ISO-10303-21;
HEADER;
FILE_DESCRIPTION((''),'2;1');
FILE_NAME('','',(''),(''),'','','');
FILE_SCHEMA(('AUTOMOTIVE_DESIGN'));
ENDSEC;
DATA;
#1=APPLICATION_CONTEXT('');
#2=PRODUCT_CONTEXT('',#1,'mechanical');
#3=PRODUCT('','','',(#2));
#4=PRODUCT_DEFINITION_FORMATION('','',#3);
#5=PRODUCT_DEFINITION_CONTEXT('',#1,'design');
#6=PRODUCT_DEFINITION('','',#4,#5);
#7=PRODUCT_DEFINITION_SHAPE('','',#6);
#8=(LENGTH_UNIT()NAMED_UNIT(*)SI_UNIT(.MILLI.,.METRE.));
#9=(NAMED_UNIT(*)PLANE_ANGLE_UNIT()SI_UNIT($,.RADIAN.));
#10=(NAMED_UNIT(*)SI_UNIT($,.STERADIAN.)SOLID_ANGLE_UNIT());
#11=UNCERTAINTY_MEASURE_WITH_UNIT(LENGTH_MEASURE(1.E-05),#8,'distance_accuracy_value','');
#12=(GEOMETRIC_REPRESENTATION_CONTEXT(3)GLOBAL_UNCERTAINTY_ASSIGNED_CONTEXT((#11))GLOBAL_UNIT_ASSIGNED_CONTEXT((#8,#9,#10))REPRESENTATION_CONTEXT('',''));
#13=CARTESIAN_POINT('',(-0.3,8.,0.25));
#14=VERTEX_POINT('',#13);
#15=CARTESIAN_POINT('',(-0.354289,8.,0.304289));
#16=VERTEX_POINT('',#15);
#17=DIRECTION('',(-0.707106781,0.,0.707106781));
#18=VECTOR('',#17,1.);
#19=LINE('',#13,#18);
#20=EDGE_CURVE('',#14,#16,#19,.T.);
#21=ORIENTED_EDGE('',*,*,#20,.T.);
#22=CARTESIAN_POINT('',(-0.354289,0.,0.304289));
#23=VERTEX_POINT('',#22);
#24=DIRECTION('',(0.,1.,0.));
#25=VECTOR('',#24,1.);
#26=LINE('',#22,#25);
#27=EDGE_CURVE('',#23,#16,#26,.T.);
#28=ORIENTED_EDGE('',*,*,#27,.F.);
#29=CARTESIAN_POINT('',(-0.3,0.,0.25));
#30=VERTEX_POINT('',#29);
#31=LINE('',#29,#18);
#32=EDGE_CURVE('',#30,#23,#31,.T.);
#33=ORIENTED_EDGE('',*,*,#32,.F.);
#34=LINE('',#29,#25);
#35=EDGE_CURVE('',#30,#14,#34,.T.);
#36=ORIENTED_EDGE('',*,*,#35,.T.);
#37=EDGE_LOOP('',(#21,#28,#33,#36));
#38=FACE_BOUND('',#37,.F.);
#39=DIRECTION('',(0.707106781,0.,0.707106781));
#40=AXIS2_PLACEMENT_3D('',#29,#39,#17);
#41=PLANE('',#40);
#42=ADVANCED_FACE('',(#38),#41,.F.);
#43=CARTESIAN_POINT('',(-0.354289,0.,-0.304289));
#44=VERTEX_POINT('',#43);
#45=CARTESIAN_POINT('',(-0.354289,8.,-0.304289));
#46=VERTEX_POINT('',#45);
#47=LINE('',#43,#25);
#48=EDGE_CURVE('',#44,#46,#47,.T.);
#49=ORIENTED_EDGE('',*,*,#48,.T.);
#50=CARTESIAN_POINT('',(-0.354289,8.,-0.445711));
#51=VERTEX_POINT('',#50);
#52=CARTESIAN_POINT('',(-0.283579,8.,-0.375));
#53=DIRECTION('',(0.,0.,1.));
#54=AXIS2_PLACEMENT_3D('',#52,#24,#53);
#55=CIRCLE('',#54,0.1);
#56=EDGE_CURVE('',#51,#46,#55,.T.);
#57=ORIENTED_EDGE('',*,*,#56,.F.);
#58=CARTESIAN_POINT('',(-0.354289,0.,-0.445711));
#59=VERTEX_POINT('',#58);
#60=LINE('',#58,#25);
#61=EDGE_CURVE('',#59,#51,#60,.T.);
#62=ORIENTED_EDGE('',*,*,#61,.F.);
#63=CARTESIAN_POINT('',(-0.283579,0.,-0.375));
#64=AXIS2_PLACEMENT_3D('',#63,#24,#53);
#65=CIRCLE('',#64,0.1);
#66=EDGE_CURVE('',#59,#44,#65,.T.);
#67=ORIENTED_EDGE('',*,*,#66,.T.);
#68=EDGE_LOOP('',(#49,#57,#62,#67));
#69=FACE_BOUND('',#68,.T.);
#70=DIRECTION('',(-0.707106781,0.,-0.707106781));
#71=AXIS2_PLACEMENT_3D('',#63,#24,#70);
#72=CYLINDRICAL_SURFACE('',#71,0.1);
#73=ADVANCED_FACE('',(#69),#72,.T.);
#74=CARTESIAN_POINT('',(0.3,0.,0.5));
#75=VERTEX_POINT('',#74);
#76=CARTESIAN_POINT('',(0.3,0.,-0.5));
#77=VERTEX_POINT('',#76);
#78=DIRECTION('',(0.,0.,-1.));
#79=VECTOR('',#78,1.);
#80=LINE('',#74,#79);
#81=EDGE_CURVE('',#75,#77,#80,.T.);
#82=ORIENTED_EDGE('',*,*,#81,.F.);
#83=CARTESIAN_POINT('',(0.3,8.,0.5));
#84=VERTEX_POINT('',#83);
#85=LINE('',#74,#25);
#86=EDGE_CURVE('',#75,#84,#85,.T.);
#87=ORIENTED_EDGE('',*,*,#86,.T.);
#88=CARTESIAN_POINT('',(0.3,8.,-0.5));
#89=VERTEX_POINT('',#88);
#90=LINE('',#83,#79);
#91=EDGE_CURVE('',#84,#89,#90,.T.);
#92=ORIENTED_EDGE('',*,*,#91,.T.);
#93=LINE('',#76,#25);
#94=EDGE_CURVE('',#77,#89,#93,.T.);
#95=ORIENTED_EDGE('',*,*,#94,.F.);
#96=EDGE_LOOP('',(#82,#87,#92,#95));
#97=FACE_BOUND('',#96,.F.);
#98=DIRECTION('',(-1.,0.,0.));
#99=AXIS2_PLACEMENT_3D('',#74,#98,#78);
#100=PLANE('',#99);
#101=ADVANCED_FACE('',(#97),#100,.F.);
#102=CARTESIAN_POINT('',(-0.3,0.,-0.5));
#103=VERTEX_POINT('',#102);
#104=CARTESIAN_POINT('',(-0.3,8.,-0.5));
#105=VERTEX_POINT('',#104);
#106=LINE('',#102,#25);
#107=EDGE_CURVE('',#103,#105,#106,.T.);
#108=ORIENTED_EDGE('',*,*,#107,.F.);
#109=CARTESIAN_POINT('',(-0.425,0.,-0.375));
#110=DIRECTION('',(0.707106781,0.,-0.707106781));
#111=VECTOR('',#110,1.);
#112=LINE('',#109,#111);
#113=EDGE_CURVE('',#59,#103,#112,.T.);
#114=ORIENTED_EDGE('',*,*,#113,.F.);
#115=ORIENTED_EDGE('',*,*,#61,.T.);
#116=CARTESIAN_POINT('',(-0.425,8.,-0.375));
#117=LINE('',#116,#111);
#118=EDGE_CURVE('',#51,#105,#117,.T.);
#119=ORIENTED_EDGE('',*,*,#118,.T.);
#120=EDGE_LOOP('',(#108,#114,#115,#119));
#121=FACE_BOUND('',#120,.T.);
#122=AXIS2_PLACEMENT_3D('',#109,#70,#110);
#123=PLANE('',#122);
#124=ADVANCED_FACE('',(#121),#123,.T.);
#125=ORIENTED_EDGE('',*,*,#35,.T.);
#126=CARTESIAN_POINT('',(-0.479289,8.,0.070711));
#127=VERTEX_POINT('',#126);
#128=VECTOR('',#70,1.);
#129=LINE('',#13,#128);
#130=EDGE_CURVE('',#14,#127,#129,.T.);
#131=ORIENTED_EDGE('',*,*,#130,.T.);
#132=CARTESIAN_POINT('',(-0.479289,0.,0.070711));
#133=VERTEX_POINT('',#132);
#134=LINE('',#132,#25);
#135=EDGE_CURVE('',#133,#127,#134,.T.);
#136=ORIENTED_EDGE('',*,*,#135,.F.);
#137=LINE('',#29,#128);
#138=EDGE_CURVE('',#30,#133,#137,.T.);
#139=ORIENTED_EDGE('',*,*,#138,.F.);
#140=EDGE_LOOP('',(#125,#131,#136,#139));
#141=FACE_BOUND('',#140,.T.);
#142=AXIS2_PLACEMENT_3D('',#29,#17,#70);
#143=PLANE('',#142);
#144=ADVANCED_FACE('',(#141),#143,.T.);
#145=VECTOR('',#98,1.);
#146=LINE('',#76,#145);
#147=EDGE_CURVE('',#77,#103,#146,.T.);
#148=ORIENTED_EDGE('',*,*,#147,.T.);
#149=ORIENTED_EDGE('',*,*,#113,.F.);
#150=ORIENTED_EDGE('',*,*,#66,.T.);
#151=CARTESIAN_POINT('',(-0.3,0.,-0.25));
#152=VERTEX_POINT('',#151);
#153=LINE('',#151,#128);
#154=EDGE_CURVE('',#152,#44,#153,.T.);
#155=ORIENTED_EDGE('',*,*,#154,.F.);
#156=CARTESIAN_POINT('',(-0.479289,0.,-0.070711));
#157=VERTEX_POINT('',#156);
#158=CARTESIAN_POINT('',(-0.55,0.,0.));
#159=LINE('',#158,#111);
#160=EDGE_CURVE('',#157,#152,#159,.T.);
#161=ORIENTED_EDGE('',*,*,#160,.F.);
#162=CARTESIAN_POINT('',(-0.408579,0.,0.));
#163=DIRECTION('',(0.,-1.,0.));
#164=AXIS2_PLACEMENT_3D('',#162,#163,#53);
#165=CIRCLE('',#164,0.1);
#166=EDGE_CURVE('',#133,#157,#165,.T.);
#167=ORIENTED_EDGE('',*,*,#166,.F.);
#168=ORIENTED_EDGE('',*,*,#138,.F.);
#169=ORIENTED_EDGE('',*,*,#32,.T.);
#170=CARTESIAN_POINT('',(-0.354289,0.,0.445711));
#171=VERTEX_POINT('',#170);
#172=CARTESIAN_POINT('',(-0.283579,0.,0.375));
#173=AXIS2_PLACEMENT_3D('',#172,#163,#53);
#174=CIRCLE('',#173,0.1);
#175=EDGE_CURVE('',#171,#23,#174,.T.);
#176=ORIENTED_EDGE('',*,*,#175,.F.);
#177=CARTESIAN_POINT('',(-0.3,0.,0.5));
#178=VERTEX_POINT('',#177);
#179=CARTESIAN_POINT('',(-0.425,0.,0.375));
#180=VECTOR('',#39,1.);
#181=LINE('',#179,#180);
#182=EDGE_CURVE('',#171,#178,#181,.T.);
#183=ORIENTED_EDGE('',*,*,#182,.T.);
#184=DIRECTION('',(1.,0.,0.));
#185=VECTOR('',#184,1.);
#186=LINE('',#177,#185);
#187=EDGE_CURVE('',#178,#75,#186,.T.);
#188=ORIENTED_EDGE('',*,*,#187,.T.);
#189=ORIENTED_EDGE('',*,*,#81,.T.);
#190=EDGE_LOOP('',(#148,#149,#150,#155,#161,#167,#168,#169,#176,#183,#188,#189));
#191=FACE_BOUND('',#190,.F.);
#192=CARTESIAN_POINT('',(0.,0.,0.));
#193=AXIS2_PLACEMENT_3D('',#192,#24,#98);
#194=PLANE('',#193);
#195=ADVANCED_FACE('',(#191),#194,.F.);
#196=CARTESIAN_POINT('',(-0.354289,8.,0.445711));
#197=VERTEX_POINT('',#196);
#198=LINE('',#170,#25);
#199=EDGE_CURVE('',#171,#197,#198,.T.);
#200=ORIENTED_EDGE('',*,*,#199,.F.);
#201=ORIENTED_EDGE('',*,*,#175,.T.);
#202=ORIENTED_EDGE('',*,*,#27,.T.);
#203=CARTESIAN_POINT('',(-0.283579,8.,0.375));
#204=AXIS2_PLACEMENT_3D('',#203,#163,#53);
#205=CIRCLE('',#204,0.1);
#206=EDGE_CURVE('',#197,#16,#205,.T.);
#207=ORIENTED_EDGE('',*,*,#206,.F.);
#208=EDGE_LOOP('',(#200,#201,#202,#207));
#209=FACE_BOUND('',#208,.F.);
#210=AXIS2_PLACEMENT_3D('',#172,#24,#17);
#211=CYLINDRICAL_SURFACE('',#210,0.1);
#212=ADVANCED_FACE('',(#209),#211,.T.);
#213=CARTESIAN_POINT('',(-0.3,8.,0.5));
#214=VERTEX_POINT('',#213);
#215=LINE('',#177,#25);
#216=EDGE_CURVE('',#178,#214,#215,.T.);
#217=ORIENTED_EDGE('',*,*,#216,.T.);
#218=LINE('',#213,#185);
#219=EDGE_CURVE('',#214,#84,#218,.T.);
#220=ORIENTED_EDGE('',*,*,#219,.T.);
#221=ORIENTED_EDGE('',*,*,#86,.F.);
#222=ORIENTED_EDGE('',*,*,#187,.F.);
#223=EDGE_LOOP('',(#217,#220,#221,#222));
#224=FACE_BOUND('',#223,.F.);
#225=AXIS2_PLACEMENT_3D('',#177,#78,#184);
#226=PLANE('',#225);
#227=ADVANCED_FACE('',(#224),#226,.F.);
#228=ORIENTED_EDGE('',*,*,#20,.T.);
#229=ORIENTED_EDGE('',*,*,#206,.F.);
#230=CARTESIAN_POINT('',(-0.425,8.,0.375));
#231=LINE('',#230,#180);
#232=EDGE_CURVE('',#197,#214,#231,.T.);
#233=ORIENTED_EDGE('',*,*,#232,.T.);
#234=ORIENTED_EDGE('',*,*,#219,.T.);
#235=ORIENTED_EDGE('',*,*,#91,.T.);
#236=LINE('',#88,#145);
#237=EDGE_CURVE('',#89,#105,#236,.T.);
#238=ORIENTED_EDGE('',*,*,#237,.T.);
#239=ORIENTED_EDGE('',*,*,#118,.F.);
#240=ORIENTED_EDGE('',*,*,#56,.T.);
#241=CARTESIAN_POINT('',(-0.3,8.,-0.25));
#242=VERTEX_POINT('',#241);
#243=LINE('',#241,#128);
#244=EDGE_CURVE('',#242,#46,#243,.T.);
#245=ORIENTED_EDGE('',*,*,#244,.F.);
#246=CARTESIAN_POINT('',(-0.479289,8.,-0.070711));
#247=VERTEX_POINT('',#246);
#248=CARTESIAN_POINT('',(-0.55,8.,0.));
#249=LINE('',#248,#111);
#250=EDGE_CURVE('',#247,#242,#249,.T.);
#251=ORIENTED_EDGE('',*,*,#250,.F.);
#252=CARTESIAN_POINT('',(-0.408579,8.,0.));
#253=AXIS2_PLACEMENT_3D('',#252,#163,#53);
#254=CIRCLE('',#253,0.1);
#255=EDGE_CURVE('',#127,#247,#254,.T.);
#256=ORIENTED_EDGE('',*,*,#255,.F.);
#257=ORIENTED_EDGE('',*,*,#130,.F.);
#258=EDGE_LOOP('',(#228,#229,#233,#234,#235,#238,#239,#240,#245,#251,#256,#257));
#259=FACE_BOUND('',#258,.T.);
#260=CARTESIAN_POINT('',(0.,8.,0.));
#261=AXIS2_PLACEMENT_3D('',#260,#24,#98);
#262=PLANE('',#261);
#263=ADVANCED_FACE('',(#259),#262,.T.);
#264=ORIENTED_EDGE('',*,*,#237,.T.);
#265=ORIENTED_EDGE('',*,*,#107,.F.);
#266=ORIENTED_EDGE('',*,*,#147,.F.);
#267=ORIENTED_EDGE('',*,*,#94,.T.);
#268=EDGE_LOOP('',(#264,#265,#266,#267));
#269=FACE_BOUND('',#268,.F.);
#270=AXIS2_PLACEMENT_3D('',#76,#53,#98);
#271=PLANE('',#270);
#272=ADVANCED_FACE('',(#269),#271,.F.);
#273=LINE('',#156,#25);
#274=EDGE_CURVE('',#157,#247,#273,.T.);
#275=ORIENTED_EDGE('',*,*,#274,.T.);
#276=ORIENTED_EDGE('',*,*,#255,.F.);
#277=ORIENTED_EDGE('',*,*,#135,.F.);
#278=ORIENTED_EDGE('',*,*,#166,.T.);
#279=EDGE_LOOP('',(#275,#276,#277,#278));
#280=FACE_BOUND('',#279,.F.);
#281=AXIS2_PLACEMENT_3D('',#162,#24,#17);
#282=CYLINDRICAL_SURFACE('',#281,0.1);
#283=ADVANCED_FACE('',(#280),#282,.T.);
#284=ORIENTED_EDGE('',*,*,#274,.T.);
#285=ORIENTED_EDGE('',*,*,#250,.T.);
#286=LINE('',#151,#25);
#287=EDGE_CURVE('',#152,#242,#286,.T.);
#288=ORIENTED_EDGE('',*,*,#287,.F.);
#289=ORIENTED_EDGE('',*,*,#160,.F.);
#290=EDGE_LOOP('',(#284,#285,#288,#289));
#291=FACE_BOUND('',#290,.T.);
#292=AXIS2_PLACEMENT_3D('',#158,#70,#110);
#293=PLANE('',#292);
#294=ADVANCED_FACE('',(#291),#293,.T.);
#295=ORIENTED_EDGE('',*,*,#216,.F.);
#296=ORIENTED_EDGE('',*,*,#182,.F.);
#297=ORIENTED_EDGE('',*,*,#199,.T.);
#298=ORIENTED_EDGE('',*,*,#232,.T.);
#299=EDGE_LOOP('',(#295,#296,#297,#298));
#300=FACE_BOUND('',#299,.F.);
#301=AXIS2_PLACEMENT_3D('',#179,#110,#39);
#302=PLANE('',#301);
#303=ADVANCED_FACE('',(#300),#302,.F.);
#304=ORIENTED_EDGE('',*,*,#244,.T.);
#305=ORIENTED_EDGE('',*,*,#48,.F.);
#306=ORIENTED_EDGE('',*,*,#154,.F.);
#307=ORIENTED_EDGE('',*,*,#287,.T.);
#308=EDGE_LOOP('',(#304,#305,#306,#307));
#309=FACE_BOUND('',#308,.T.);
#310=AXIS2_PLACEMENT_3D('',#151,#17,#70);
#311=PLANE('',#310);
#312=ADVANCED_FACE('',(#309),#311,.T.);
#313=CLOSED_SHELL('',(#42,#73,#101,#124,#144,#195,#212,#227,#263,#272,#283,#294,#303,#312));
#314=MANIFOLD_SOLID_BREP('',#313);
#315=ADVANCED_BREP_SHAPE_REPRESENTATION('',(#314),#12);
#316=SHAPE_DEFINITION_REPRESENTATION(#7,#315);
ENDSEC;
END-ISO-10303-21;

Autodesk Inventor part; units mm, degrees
ref_plane "YZ Plane" through (0, 0, 0) normal (1, 0, 0) x (0, 1, 0)
ref_plane "XZ Plane" through (0, 0, 0) normal (0, 1, 0) x (-1, 0, 0)
ref_plane "XY Plane" through (0, 0, 0) normal (0, 0, 1) x (1, 0, 0)
sketch "草圖1" plane through (0, 0, 0) normal (0, 1, 0) x (-1, 0, 0)
  line L0 (-0.3, 0.5) -> (-0.3, -0.5)
  line L1 (-0.3, -0.5) -> (0.3, -0.5)
  line L2 (0.3, -0.5) -> (0.3, 0.5)
  line L3 (0.3, 0.5) -> (-0.3, 0.5)
  line L4 (-0.3, 0.5) -> (0.3, -0.5) construction
  line L5 (-0.3, -0.5) -> (0.3, 0.5) construction
  line L6 (0.3, 0.5) -> (0.3, 0.25)
  line L7 (0.3, 0.25) -> (0.3, -0.25)
  line L8 (0.3, -0.25) -> (0.3, -0.5)
  line L9 (0.3, 0.25) -> (0.55, 0)
  line L10 (0.55, 0) -> (0.3, -0.25)
  line L11 (0.3, -0.25) -> (0.425, -0.375)
  line L12 (0.425, -0.375) -> (0.3, -0.5)
  line L13 (0.3, 0.25) -> (0.425, 0.375)
  line L14 (0.425, 0.375) -> (0.3, 0.5)
  point P0 (0, 0)
  dimension "d0" = 1
  dimension "d1" = 0.6
  dimension "d2" = 0.25
  dimension "d3" = 0.5
  dimension "d4" = 45
extrude "擠出1" add sketch "草圖1" along normal blind 8
fillet "圓角1" radius 0.1 3 edges at (-0.55, 4, 0) (-0.425, 4, -0.375) (-0.425, 4, 0.375)
properties part number "窗間柱"
